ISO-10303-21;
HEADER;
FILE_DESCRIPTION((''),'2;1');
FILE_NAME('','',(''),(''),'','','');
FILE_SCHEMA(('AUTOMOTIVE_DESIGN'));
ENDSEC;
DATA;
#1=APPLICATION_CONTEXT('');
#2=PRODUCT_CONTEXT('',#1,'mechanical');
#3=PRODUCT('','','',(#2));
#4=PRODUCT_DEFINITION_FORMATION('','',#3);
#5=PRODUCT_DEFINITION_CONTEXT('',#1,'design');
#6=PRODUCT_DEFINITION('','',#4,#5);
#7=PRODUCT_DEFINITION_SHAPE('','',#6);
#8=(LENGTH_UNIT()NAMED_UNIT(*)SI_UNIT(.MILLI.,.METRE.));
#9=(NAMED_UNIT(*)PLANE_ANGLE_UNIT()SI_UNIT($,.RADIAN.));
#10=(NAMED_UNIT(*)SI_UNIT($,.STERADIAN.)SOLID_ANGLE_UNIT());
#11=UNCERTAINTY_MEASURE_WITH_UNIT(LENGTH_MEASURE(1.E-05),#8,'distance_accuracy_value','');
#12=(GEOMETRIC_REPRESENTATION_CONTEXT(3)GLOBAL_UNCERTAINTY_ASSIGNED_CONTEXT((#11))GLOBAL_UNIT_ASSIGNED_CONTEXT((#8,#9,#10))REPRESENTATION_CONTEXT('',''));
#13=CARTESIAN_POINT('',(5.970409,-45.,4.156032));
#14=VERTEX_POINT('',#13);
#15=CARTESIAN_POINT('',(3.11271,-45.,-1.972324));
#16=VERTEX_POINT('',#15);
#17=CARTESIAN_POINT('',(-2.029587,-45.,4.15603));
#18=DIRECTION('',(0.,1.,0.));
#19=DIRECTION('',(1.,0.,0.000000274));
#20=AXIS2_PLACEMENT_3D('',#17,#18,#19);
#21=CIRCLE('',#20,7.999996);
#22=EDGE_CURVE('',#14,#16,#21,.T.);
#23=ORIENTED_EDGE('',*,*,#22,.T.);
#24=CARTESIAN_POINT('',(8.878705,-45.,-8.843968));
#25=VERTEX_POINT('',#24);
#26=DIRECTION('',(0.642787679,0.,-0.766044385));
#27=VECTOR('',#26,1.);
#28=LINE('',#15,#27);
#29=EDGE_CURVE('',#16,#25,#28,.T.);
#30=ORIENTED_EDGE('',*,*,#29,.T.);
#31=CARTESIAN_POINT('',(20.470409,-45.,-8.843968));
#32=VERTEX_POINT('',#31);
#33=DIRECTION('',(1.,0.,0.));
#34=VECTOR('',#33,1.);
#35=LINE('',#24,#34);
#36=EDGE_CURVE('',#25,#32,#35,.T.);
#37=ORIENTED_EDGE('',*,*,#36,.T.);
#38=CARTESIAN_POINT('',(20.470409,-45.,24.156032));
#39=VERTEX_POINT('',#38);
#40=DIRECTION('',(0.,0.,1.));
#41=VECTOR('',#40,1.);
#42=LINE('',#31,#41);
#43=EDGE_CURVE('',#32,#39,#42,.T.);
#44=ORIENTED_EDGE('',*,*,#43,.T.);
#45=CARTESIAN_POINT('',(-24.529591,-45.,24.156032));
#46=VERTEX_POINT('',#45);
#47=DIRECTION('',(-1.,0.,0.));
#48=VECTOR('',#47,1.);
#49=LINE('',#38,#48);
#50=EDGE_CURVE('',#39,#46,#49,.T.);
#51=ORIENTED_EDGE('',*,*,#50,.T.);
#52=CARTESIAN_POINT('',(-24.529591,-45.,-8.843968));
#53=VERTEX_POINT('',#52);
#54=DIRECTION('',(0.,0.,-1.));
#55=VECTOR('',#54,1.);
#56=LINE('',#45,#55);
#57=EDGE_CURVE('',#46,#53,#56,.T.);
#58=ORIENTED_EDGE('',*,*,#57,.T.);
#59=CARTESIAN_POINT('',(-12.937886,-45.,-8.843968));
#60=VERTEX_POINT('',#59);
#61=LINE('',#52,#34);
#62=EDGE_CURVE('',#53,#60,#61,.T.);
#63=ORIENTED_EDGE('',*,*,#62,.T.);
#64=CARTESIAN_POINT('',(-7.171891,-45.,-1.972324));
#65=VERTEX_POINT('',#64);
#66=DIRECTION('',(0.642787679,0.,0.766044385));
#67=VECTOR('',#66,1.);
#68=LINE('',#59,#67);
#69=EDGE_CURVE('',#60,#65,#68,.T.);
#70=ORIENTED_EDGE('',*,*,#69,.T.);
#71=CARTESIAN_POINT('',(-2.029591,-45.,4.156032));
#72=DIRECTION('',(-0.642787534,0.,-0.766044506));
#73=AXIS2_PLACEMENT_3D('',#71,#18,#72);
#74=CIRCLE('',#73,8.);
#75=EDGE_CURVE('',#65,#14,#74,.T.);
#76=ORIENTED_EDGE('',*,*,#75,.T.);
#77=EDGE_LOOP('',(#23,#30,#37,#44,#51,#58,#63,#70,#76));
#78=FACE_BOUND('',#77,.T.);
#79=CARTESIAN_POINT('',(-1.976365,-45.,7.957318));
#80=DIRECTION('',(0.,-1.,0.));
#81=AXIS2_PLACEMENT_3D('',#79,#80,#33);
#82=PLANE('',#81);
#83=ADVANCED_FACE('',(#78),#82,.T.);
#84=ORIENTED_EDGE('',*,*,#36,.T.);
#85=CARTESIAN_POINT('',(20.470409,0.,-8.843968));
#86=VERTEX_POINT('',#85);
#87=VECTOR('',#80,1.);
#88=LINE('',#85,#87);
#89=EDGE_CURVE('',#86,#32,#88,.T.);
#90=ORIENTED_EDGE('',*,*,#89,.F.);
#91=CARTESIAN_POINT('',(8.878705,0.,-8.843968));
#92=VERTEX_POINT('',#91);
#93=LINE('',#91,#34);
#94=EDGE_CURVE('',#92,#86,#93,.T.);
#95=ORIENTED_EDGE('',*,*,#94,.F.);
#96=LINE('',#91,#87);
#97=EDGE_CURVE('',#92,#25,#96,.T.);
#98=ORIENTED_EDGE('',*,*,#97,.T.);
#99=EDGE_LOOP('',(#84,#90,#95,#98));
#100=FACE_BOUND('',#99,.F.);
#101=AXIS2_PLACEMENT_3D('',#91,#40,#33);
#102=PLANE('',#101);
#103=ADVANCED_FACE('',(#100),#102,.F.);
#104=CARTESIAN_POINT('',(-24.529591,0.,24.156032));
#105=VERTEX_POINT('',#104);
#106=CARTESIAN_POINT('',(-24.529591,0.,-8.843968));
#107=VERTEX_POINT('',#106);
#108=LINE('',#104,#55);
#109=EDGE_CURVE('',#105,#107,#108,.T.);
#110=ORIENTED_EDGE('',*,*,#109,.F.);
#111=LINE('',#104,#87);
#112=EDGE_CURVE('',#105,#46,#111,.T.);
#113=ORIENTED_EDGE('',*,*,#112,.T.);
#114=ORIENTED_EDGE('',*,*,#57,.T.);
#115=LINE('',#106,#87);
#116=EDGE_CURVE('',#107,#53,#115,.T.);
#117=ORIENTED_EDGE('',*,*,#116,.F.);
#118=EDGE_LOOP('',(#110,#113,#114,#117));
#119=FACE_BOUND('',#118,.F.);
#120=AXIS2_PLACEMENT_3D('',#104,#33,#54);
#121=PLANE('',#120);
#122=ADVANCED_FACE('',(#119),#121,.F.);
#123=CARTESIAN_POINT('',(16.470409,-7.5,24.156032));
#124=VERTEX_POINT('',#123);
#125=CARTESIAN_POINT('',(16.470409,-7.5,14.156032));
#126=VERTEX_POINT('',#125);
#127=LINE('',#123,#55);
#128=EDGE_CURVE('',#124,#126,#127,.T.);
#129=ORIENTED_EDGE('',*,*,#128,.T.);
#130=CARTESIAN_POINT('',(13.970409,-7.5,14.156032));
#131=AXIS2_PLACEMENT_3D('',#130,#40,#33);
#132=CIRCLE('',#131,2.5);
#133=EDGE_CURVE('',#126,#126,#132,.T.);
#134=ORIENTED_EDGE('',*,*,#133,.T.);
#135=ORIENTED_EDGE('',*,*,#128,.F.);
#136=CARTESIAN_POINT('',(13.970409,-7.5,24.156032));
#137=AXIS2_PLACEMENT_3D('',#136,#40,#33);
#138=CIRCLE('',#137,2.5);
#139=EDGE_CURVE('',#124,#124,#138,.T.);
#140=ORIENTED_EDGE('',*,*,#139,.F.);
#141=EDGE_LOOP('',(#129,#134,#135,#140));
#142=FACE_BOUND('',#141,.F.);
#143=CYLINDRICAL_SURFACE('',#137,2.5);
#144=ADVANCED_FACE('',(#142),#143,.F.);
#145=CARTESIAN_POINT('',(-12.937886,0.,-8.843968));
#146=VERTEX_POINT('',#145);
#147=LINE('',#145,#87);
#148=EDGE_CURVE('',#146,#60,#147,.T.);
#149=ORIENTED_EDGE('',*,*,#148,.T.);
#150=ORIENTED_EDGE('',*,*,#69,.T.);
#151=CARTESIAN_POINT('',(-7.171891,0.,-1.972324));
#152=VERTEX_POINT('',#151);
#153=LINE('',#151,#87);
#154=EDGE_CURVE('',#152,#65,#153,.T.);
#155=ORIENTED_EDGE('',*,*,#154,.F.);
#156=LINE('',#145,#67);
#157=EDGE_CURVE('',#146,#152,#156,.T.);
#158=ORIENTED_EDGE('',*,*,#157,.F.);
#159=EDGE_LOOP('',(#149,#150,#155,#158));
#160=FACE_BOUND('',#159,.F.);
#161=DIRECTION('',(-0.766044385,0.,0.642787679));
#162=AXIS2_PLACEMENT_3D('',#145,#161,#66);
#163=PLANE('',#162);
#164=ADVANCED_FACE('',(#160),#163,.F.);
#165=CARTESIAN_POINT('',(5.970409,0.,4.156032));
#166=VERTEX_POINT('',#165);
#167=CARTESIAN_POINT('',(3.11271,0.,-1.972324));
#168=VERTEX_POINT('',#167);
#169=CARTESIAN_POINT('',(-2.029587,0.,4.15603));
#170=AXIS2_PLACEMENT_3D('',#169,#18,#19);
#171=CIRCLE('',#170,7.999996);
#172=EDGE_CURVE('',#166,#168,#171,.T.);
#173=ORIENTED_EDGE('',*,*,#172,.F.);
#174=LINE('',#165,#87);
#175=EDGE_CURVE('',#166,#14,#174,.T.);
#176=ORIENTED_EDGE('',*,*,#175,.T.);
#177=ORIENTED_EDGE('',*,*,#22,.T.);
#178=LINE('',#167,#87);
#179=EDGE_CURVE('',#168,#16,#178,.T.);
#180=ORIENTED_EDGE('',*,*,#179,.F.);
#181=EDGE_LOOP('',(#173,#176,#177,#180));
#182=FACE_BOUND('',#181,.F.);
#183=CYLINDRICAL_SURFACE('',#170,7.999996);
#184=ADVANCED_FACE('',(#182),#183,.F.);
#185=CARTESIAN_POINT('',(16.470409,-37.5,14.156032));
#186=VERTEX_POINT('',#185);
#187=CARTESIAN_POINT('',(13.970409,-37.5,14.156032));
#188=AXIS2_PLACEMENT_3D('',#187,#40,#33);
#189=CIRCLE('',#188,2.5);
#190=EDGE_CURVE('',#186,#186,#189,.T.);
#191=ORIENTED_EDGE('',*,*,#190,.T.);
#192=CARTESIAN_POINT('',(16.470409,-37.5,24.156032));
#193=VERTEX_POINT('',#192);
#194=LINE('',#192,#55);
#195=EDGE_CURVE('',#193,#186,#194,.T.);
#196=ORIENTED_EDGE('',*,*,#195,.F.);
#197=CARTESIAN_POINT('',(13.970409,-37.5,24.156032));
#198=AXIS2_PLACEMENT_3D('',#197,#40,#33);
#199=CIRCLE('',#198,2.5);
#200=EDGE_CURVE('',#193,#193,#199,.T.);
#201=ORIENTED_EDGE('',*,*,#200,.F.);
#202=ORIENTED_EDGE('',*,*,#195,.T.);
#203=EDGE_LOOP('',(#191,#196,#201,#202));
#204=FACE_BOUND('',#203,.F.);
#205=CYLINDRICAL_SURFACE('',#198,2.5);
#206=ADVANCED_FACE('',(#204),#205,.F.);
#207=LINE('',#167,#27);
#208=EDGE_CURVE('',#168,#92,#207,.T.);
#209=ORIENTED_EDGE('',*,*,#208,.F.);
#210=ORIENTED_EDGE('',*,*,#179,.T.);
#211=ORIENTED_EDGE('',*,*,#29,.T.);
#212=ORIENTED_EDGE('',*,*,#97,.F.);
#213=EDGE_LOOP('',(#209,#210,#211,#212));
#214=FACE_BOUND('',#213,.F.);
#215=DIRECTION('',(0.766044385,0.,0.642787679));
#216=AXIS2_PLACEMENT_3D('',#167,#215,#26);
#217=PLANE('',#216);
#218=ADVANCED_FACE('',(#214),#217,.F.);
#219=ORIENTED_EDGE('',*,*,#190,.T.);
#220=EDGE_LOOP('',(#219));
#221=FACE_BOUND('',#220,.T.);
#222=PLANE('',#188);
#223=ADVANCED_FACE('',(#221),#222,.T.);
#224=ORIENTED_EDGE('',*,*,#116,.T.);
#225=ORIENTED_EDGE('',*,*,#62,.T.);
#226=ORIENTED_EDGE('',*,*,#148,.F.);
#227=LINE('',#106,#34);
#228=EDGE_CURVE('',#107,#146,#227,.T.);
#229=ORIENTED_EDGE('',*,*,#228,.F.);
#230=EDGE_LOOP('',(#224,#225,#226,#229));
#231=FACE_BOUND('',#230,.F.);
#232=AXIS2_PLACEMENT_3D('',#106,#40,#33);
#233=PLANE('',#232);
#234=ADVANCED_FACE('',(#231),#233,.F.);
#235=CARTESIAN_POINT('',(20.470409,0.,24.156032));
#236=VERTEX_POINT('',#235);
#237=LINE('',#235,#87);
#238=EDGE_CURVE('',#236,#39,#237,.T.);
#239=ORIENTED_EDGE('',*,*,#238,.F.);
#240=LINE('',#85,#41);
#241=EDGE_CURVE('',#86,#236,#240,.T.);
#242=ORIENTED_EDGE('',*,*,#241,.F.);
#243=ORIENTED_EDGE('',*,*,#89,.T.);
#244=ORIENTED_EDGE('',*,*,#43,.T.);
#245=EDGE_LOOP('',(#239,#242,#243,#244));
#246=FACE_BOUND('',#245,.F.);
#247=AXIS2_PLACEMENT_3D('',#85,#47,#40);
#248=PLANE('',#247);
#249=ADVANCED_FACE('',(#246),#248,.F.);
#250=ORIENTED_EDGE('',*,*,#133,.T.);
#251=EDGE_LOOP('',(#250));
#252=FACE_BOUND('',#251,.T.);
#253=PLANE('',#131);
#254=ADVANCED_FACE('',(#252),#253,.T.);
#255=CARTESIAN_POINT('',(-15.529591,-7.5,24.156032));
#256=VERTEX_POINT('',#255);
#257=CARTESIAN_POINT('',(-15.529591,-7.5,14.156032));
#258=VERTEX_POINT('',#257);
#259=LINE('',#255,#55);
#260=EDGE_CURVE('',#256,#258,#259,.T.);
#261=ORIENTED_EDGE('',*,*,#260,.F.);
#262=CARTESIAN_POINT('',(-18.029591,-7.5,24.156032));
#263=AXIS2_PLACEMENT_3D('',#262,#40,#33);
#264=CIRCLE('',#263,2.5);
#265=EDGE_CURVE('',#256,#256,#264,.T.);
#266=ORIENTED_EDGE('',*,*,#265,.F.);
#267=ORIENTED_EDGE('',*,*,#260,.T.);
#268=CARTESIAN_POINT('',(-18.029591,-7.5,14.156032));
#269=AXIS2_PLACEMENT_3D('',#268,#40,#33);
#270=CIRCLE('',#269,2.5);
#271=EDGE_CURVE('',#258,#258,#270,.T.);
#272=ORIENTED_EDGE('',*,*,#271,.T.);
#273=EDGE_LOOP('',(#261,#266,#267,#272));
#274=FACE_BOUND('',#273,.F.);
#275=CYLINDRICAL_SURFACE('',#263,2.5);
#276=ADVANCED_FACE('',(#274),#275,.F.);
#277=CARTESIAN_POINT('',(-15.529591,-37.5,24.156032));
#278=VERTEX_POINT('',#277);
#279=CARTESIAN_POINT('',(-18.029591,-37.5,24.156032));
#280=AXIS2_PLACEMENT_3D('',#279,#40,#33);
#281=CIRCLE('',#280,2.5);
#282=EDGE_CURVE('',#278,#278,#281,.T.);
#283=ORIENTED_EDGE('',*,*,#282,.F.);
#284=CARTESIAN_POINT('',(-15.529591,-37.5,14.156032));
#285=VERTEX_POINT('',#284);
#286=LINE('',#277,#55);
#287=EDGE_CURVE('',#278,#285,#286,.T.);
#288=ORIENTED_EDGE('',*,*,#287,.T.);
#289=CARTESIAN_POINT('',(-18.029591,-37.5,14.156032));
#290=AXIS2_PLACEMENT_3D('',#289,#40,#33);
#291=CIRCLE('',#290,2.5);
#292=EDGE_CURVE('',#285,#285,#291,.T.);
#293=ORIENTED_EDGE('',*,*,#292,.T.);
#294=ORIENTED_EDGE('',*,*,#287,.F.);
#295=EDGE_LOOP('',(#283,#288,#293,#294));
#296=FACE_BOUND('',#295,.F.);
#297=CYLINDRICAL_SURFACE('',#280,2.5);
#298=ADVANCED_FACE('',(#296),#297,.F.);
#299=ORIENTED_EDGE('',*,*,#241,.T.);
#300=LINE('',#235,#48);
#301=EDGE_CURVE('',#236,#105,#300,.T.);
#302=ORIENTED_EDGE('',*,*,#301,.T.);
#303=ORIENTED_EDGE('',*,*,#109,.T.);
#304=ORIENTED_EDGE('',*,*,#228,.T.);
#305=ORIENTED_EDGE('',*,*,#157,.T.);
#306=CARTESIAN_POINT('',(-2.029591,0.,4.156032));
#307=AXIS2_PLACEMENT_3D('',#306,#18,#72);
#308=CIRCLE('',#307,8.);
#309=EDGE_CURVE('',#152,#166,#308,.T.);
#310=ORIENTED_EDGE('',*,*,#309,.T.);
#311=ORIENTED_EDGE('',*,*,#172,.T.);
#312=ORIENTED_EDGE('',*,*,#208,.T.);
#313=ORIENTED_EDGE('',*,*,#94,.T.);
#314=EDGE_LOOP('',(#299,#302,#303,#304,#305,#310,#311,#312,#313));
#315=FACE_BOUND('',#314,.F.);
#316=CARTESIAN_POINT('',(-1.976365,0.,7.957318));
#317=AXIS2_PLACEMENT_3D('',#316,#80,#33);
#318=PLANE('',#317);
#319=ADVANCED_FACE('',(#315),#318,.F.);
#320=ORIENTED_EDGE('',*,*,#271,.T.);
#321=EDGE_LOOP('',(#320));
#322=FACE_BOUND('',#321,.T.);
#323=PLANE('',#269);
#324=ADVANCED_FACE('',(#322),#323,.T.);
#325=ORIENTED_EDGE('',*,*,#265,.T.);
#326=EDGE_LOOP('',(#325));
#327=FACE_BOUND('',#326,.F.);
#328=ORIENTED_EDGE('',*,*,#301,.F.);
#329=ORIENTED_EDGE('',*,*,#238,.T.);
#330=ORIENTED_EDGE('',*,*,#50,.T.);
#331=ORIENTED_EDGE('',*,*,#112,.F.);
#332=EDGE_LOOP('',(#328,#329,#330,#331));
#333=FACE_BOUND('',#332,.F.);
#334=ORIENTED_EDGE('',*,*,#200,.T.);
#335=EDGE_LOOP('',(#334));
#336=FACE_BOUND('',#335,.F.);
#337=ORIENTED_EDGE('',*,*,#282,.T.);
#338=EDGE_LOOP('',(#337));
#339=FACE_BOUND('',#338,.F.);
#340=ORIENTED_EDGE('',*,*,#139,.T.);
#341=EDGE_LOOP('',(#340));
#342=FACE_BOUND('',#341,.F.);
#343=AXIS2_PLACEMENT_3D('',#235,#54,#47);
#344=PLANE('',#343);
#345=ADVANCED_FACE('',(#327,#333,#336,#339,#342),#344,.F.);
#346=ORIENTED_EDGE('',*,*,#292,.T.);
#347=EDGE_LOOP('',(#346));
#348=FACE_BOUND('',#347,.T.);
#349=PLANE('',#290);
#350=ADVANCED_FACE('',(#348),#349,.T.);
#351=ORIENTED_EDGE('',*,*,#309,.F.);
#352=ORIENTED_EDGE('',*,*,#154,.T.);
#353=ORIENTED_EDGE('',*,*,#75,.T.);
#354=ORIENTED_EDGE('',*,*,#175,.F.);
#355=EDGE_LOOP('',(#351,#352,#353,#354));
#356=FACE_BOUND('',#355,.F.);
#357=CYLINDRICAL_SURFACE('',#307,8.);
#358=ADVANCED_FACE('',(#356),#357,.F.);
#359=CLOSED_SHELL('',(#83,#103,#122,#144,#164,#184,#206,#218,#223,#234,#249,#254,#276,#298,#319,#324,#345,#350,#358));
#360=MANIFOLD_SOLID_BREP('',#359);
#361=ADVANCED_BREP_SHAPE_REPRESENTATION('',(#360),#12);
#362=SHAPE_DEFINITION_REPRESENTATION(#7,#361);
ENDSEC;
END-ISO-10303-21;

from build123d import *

# Parameters (mm, degrees)
F1_DEPTH = 45
F2_R     = 2.5
F3_DEPTH = 10


with BuildPart() as f1:
    # F0 (on Front) → F1 (new body)
    with BuildSketch(Plane.XZ):
        with BuildLine():
            Line((20.470409, 24.156032), (-24.529591, 24.156032))
            Line((-24.529591, 24.156032), (-24.529591, -8.843968))
            Line((-24.529591, -8.843968), (-12.937886, -8.843968))
            Line((-12.937886, -8.843968), (-7.171891, -1.972324))
            ThreePointArc((-7.171891, -1.972324), (-5.410537, 11.406494), (5.970409, 4.156032))
            ThreePointArc((5.970409, 4.156032), (5.220872, 0.775086), (3.11271, -1.972324))
            Line((3.11271, -1.972324), (8.878705, -8.843968))
            Line((8.878705, -8.843968), (20.470409, -8.843968))
            Line((20.470409, -8.843968), (20.470409, 24.156032))
        make_face()
    extrude(amount=F1_DEPTH)

    # F2 (on face) → F3 (cut)
    with BuildSketch(Plane.XY.offset(24.156032)):
        with Locations((13.970409, -7.5)):
            Circle(F2_R)
        with Locations((-18.029591, -37.5)):
            Circle(F2_R)
        with Locations((13.970409, -37.5)):
            Circle(F2_R)
        with Locations((-18.029591, -7.5)):
            Circle(F2_R)
    extrude(amount=-F3_DEPTH, mode=Mode.SUBTRACT)


solid = f1.part
